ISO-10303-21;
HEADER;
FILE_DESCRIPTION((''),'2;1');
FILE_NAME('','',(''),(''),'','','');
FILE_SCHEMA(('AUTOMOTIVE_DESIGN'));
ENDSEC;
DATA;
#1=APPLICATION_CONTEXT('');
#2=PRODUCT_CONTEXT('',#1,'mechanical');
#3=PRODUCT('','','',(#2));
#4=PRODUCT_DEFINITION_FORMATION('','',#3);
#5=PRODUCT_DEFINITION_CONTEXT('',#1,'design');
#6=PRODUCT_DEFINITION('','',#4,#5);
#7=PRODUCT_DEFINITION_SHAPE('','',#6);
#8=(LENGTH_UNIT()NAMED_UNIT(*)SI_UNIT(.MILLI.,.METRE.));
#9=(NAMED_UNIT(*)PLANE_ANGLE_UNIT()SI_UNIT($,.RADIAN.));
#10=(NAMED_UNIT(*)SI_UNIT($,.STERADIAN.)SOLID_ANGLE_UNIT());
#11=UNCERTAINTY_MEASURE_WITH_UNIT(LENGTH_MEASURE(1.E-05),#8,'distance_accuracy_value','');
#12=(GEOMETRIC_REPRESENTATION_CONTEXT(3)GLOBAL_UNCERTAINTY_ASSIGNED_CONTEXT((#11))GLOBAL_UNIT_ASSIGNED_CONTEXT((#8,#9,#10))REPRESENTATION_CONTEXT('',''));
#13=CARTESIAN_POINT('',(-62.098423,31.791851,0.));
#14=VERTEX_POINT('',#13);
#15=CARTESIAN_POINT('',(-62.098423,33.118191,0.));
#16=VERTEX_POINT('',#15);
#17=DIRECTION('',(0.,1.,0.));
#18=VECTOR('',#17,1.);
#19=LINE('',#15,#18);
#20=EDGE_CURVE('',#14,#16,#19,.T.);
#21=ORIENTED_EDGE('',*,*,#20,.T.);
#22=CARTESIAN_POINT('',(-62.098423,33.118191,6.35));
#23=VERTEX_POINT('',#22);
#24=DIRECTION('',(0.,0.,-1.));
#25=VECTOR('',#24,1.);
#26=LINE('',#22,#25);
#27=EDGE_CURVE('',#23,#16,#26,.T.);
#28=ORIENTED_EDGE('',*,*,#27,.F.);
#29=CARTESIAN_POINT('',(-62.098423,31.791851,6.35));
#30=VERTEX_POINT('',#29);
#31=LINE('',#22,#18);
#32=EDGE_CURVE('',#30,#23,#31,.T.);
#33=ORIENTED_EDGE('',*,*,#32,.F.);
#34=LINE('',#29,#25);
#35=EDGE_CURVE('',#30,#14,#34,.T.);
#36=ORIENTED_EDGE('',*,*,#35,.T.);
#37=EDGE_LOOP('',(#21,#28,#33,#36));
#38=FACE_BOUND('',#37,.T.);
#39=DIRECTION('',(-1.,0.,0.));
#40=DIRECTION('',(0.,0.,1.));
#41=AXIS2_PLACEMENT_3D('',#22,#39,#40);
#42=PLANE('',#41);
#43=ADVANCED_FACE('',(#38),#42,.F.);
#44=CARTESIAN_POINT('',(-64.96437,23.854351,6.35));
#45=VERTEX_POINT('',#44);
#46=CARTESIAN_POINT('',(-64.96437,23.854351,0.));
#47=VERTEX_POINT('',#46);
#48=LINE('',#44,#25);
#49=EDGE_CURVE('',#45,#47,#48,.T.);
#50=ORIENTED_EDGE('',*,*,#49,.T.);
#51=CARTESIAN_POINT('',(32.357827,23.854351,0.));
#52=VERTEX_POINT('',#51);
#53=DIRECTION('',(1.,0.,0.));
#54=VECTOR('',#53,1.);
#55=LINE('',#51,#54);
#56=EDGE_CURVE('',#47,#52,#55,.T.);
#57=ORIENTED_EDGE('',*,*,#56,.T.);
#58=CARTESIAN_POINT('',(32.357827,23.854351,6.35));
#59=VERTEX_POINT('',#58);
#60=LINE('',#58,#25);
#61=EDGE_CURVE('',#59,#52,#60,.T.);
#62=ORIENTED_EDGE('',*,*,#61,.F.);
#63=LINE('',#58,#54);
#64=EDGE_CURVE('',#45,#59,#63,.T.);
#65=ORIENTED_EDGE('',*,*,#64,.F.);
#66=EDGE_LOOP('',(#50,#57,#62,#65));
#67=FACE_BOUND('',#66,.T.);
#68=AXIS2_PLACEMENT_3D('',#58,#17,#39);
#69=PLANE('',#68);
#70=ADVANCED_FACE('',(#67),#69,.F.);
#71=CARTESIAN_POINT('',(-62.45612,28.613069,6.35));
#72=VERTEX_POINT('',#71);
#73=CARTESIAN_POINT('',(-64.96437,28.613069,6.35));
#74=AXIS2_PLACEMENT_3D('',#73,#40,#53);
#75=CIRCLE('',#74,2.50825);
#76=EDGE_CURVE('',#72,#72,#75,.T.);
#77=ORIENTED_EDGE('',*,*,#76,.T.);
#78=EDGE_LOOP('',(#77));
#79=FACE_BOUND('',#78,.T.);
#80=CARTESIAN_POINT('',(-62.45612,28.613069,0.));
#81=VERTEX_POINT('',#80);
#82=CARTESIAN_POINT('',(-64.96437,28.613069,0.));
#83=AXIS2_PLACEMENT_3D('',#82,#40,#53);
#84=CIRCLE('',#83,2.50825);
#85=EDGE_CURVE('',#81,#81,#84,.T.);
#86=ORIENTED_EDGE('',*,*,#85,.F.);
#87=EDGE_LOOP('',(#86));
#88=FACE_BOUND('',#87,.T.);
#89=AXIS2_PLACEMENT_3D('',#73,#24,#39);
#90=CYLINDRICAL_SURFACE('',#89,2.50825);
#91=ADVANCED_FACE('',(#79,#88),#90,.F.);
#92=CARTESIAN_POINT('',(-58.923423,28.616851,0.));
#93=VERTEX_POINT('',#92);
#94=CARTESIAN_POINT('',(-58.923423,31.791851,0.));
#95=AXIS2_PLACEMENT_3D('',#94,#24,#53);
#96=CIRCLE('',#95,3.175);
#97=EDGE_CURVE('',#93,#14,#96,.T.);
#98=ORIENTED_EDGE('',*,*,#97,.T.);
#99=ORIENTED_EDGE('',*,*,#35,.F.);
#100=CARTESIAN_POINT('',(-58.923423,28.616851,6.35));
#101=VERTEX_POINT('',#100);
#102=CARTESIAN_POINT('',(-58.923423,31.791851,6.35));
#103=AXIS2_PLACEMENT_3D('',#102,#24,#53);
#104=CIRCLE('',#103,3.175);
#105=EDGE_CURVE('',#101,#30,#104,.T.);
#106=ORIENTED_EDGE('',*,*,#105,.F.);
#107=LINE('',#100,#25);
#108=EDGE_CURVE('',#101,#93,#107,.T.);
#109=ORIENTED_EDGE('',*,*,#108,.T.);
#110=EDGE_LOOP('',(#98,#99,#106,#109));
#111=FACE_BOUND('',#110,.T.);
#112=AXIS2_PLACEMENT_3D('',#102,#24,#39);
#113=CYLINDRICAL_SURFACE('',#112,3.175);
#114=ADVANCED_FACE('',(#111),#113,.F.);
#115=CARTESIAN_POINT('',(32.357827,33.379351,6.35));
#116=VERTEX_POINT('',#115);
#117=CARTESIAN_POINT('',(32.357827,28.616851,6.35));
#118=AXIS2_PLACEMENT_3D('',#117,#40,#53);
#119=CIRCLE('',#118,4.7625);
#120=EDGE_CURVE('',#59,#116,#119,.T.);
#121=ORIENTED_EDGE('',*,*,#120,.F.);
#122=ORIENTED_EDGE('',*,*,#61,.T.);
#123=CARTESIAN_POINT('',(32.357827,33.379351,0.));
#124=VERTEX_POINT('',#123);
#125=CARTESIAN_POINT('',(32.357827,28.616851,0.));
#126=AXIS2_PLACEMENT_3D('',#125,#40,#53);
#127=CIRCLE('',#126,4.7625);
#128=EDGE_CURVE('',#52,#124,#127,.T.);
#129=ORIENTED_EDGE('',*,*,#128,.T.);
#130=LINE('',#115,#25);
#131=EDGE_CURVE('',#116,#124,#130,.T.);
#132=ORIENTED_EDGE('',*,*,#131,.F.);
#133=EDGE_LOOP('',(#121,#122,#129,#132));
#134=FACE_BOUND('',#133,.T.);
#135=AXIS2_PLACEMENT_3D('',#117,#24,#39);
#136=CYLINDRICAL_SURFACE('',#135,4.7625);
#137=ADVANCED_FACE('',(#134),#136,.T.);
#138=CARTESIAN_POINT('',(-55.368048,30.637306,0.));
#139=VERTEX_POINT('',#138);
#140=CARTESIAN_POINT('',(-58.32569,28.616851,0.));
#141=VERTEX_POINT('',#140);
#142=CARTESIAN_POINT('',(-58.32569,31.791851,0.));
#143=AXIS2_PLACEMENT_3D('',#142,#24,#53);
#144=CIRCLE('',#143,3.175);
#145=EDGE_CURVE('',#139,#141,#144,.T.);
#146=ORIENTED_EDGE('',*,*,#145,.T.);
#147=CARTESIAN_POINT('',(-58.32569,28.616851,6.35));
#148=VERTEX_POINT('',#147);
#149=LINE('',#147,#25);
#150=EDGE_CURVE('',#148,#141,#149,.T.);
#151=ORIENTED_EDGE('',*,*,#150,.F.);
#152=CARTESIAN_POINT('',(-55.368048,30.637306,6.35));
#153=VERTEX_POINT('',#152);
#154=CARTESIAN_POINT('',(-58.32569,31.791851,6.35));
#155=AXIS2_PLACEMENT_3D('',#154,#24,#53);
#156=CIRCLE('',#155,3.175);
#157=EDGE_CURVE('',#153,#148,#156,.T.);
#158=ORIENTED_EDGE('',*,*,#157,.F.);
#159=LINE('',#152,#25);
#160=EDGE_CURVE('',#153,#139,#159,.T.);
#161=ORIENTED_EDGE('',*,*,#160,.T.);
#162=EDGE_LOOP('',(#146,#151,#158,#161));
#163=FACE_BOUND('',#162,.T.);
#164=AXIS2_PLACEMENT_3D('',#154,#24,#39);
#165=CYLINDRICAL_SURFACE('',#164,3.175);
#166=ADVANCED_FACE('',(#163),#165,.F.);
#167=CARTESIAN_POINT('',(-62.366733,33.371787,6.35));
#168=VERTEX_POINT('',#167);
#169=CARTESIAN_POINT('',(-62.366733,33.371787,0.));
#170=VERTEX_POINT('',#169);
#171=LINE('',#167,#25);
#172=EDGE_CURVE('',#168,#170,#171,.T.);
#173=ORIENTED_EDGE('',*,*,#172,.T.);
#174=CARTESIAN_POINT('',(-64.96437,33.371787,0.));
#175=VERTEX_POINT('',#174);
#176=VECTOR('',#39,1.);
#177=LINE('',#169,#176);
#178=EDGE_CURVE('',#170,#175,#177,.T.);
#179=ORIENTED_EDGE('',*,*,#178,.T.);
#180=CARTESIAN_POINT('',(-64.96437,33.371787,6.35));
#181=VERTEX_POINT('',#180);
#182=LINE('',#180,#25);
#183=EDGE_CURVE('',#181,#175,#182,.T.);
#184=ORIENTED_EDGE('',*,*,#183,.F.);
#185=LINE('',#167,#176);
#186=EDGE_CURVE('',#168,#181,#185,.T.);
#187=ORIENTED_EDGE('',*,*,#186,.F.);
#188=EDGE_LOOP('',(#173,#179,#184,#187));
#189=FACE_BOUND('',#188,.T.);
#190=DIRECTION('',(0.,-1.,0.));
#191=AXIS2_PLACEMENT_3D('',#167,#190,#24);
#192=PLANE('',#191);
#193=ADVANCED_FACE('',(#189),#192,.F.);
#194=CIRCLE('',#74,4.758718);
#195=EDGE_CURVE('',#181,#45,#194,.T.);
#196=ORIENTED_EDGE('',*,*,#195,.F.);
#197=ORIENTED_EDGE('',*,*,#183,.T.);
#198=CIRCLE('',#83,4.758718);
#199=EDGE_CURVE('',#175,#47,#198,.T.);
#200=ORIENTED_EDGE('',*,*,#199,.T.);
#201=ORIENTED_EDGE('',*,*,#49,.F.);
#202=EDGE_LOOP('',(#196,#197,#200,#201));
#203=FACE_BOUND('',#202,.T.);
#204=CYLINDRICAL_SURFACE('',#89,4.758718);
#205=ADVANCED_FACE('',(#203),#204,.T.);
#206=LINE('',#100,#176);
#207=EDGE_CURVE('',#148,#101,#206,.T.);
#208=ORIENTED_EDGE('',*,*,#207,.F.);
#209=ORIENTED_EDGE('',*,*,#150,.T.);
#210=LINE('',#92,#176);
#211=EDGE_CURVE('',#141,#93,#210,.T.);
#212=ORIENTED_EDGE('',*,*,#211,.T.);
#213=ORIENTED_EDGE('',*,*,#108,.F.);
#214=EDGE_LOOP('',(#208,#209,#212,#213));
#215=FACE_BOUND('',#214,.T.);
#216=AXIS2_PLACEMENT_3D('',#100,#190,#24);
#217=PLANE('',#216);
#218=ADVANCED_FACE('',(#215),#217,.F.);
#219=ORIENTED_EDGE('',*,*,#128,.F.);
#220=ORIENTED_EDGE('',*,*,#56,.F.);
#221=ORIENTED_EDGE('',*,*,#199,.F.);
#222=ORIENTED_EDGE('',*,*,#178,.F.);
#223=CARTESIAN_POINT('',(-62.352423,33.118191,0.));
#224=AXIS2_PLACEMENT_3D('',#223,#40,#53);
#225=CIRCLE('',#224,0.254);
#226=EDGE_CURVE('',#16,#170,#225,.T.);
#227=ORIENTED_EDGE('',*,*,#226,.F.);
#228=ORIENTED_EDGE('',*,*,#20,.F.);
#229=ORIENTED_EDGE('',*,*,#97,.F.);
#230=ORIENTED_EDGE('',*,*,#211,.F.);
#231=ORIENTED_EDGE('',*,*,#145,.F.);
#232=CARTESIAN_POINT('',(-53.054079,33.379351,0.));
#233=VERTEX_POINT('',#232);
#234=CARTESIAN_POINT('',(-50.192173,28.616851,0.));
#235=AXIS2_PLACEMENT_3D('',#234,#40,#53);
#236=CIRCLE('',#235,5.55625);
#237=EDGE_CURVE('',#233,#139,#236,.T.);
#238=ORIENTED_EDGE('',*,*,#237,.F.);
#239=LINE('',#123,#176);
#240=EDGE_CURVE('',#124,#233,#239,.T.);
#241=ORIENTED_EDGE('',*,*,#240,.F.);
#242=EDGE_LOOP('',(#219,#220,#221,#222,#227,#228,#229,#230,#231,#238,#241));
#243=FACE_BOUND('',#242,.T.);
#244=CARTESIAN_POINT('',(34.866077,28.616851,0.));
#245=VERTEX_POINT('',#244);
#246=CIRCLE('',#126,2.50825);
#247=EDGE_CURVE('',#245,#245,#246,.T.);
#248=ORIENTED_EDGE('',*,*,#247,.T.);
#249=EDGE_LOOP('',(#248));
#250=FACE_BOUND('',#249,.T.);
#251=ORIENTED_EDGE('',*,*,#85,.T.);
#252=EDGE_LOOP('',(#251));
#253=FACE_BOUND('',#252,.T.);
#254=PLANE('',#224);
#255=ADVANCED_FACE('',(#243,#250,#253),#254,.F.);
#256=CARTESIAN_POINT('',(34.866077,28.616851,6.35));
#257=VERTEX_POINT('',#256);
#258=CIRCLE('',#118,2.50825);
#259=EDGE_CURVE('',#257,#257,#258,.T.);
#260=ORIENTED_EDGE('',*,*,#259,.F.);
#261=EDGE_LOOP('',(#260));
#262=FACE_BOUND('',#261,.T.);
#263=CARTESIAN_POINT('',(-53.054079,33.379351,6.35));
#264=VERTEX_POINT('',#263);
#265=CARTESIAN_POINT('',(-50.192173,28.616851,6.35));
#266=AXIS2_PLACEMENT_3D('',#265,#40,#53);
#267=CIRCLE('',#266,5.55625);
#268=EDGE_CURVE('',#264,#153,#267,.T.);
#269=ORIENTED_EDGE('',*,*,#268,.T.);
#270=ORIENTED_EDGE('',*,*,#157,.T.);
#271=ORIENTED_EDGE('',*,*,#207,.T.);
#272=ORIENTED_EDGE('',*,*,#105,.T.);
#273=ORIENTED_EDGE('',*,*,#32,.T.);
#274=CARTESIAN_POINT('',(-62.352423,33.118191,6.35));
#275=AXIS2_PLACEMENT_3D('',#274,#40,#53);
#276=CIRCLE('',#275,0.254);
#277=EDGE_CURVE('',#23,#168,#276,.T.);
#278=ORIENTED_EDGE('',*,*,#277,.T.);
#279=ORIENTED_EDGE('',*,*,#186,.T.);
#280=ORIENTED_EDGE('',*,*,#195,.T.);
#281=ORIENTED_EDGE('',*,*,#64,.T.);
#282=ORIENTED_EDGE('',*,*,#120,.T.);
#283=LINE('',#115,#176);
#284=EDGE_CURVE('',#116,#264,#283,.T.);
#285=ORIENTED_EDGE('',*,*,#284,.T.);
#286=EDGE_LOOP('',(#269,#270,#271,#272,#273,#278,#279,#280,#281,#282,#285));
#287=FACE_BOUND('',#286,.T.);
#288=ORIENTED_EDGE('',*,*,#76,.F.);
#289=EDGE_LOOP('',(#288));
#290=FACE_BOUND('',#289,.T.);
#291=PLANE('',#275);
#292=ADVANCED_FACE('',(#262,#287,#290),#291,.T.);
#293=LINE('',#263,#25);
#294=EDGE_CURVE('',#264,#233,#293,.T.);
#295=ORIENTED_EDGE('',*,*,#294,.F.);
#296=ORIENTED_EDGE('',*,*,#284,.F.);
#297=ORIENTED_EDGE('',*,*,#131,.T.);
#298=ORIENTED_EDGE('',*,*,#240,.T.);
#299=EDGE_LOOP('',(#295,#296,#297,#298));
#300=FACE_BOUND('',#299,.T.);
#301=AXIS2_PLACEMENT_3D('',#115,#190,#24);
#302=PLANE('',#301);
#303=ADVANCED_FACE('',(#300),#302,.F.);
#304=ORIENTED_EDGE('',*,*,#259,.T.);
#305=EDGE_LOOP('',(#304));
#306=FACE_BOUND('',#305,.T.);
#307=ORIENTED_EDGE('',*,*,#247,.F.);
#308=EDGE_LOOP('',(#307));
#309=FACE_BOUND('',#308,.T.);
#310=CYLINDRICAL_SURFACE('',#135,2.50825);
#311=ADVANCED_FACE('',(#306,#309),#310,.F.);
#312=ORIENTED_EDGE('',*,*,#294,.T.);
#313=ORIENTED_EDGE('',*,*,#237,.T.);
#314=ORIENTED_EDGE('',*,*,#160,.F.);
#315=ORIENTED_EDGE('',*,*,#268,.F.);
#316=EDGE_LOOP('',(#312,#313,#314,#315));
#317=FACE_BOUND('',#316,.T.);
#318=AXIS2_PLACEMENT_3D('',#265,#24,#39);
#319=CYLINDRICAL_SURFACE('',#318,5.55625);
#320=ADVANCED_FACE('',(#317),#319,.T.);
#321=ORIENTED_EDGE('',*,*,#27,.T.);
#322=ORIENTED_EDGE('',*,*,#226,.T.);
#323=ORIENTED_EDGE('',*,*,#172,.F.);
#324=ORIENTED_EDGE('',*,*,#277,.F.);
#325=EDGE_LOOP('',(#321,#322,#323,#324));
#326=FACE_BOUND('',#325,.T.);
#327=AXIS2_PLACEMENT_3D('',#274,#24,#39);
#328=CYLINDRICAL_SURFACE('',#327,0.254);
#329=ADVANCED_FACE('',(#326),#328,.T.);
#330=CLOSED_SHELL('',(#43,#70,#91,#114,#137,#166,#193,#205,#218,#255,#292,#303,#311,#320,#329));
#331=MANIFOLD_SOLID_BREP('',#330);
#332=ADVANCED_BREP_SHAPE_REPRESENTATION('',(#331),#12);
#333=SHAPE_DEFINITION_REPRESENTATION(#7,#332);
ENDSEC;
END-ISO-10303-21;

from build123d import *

# Parameters (mm, degrees)
SKETCH1_R           = 2.50825
BOSS_EXTRUDE1_DEPTH = 6.35


with BuildPart() as part:
    # Sketch1 → Boss-Extrude1 (new body)
    with BuildSketch(Plane.XY):
        with BuildLine():
            Line((-62.098423071, 33.11819072), (-62.098423071, 31.791851336))
            ThreePointArc((-62.098423071, 31.791851336), (-61.168487101, 29.546787305), (-58.923423071, 28.616851336))
            Line((-58.923423071, 28.616851336), (-58.325690241, 28.616851336))
            ThreePointArc((-58.325690241, 28.616851336), (-56.534748704, 29.17018137), (-55.368047634, 30.637305881))
            ThreePointArc((-55.368047634, 30.637305881), (-54.438487204, 32.200247817), (-53.054079396, 33.379351336))
            Line((-53.054079396, 33.379351336), (32.357826929, 33.379351336))
            ThreePointArc((32.357826929, 33.379351336), (35.725422975, 31.984447381), (37.120326929, 28.616851336))
            ThreePointArc((37.120326929, 28.616851336), (35.725422975, 25.24925529), (32.357826929, 23.854351336))
            Line((32.357826929, 23.854351336), (-64.964369517, 23.854351336))
            ThreePointArc((-64.964369517, 23.854351336), (-69.723087501, 28.61306932), (-64.964369517, 33.371787305))
            Line((-64.964369517, 33.371787305), (-62.36673293, 33.371787305))
            ThreePointArc((-62.36673293, 33.371787305), (-62.177950586, 33.302785823), (-62.098423071, 33.11819072))
        make_face()
        with Locations((32.357826929, 28.616851336)):
            Circle(SKETCH1_R, mode=Mode.SUBTRACT)
        with Locations((-64.964369517, 28.61306932)):
            Circle(SKETCH1_R, mode=Mode.SUBTRACT)
    extrude(amount=BOSS_EXTRUDE1_DEPTH)


solid = part.part
